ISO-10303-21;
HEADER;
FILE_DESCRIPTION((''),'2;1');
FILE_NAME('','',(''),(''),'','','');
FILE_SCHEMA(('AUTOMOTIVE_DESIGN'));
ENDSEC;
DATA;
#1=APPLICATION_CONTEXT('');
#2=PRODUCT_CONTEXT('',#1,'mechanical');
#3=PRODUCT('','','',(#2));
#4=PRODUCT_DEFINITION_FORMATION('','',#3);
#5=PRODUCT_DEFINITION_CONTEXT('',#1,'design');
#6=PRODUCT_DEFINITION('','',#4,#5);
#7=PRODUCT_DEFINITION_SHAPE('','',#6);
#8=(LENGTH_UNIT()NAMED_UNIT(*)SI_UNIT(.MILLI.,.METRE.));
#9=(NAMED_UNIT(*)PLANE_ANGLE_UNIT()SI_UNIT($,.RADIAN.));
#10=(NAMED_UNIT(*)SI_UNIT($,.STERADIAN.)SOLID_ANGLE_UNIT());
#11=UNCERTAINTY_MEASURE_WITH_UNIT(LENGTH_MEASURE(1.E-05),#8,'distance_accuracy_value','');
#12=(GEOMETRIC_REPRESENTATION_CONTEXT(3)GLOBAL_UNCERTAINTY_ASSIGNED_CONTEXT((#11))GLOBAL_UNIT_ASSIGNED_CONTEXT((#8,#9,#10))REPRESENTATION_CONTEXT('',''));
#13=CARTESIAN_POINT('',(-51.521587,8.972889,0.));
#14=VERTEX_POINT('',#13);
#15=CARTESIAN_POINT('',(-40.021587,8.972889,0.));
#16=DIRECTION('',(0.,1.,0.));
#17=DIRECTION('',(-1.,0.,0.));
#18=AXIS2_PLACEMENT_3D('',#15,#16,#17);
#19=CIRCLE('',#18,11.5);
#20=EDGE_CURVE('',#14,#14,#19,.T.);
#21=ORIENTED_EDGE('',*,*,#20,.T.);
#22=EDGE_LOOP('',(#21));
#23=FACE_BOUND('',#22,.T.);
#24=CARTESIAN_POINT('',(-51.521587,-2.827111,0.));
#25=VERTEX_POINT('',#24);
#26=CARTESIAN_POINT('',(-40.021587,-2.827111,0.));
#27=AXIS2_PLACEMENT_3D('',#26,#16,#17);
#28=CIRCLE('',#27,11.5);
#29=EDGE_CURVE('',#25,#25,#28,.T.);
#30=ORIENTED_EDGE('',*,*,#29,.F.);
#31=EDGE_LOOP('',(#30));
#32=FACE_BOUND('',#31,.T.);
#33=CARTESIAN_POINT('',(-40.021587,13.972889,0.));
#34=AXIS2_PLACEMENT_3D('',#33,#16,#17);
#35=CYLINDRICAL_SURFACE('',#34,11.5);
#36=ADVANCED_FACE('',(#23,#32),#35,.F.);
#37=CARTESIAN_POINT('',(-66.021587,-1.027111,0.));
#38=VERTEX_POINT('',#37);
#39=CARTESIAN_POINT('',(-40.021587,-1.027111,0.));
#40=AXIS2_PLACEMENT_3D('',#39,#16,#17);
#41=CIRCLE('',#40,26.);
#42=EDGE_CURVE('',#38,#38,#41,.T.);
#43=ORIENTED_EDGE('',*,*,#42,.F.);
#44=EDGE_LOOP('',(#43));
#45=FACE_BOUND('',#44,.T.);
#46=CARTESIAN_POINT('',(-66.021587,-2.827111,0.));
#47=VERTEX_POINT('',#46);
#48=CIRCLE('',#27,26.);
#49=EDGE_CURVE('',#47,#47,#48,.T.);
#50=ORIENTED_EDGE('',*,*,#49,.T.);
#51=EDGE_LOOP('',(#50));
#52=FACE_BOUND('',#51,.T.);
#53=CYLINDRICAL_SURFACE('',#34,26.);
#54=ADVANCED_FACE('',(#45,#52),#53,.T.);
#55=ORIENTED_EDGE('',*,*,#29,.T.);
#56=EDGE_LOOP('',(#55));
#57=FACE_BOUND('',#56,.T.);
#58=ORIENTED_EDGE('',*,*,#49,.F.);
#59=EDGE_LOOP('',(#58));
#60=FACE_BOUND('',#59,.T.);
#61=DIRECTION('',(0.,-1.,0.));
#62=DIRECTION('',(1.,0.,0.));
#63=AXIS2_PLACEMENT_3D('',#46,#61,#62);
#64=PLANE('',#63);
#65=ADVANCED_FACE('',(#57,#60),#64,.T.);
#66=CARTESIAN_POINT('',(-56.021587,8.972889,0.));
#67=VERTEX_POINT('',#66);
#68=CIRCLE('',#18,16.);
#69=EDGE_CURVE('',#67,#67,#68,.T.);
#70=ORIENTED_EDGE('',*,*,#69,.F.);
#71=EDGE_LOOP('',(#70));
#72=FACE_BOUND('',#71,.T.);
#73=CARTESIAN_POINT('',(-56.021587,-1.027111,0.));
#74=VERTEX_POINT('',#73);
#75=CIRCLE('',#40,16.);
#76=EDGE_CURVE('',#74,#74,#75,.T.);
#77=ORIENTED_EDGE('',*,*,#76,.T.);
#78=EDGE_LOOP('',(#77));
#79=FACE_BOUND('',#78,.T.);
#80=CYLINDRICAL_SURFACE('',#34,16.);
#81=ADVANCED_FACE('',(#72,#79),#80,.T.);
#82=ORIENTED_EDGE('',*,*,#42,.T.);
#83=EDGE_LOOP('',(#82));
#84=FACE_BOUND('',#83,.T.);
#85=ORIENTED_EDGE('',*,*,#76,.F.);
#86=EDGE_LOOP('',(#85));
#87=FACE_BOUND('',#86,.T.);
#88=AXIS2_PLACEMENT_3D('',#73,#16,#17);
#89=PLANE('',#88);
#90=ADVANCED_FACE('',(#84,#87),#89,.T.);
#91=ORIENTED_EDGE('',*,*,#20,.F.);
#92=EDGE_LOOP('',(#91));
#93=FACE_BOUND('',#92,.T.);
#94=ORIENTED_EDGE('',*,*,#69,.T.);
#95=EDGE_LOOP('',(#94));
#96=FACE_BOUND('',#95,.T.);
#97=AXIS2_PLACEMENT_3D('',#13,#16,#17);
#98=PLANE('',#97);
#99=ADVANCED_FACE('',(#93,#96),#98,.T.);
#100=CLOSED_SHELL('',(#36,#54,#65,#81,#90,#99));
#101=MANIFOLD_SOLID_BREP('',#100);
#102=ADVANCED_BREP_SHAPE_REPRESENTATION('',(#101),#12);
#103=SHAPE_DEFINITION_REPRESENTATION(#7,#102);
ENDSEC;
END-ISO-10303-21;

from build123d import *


with BuildPart() as part:
    # Croquis1 → Revolución1 (revolve)
    with BuildSketch(Plane.XY):
        Polygon((-51.52158728, 8.972889318), (-51.52158728, -2.827110682), (-66.02158728, -2.827110682), (-66.02158728, -1.027110682), (-56.02158728, -1.027110682), (-56.02158728, 8.972889318), align=None)
    revolve(axis=Axis((-40.02158728, 13.972889318, 0), (0, -1, 0)))


solid = part.part
